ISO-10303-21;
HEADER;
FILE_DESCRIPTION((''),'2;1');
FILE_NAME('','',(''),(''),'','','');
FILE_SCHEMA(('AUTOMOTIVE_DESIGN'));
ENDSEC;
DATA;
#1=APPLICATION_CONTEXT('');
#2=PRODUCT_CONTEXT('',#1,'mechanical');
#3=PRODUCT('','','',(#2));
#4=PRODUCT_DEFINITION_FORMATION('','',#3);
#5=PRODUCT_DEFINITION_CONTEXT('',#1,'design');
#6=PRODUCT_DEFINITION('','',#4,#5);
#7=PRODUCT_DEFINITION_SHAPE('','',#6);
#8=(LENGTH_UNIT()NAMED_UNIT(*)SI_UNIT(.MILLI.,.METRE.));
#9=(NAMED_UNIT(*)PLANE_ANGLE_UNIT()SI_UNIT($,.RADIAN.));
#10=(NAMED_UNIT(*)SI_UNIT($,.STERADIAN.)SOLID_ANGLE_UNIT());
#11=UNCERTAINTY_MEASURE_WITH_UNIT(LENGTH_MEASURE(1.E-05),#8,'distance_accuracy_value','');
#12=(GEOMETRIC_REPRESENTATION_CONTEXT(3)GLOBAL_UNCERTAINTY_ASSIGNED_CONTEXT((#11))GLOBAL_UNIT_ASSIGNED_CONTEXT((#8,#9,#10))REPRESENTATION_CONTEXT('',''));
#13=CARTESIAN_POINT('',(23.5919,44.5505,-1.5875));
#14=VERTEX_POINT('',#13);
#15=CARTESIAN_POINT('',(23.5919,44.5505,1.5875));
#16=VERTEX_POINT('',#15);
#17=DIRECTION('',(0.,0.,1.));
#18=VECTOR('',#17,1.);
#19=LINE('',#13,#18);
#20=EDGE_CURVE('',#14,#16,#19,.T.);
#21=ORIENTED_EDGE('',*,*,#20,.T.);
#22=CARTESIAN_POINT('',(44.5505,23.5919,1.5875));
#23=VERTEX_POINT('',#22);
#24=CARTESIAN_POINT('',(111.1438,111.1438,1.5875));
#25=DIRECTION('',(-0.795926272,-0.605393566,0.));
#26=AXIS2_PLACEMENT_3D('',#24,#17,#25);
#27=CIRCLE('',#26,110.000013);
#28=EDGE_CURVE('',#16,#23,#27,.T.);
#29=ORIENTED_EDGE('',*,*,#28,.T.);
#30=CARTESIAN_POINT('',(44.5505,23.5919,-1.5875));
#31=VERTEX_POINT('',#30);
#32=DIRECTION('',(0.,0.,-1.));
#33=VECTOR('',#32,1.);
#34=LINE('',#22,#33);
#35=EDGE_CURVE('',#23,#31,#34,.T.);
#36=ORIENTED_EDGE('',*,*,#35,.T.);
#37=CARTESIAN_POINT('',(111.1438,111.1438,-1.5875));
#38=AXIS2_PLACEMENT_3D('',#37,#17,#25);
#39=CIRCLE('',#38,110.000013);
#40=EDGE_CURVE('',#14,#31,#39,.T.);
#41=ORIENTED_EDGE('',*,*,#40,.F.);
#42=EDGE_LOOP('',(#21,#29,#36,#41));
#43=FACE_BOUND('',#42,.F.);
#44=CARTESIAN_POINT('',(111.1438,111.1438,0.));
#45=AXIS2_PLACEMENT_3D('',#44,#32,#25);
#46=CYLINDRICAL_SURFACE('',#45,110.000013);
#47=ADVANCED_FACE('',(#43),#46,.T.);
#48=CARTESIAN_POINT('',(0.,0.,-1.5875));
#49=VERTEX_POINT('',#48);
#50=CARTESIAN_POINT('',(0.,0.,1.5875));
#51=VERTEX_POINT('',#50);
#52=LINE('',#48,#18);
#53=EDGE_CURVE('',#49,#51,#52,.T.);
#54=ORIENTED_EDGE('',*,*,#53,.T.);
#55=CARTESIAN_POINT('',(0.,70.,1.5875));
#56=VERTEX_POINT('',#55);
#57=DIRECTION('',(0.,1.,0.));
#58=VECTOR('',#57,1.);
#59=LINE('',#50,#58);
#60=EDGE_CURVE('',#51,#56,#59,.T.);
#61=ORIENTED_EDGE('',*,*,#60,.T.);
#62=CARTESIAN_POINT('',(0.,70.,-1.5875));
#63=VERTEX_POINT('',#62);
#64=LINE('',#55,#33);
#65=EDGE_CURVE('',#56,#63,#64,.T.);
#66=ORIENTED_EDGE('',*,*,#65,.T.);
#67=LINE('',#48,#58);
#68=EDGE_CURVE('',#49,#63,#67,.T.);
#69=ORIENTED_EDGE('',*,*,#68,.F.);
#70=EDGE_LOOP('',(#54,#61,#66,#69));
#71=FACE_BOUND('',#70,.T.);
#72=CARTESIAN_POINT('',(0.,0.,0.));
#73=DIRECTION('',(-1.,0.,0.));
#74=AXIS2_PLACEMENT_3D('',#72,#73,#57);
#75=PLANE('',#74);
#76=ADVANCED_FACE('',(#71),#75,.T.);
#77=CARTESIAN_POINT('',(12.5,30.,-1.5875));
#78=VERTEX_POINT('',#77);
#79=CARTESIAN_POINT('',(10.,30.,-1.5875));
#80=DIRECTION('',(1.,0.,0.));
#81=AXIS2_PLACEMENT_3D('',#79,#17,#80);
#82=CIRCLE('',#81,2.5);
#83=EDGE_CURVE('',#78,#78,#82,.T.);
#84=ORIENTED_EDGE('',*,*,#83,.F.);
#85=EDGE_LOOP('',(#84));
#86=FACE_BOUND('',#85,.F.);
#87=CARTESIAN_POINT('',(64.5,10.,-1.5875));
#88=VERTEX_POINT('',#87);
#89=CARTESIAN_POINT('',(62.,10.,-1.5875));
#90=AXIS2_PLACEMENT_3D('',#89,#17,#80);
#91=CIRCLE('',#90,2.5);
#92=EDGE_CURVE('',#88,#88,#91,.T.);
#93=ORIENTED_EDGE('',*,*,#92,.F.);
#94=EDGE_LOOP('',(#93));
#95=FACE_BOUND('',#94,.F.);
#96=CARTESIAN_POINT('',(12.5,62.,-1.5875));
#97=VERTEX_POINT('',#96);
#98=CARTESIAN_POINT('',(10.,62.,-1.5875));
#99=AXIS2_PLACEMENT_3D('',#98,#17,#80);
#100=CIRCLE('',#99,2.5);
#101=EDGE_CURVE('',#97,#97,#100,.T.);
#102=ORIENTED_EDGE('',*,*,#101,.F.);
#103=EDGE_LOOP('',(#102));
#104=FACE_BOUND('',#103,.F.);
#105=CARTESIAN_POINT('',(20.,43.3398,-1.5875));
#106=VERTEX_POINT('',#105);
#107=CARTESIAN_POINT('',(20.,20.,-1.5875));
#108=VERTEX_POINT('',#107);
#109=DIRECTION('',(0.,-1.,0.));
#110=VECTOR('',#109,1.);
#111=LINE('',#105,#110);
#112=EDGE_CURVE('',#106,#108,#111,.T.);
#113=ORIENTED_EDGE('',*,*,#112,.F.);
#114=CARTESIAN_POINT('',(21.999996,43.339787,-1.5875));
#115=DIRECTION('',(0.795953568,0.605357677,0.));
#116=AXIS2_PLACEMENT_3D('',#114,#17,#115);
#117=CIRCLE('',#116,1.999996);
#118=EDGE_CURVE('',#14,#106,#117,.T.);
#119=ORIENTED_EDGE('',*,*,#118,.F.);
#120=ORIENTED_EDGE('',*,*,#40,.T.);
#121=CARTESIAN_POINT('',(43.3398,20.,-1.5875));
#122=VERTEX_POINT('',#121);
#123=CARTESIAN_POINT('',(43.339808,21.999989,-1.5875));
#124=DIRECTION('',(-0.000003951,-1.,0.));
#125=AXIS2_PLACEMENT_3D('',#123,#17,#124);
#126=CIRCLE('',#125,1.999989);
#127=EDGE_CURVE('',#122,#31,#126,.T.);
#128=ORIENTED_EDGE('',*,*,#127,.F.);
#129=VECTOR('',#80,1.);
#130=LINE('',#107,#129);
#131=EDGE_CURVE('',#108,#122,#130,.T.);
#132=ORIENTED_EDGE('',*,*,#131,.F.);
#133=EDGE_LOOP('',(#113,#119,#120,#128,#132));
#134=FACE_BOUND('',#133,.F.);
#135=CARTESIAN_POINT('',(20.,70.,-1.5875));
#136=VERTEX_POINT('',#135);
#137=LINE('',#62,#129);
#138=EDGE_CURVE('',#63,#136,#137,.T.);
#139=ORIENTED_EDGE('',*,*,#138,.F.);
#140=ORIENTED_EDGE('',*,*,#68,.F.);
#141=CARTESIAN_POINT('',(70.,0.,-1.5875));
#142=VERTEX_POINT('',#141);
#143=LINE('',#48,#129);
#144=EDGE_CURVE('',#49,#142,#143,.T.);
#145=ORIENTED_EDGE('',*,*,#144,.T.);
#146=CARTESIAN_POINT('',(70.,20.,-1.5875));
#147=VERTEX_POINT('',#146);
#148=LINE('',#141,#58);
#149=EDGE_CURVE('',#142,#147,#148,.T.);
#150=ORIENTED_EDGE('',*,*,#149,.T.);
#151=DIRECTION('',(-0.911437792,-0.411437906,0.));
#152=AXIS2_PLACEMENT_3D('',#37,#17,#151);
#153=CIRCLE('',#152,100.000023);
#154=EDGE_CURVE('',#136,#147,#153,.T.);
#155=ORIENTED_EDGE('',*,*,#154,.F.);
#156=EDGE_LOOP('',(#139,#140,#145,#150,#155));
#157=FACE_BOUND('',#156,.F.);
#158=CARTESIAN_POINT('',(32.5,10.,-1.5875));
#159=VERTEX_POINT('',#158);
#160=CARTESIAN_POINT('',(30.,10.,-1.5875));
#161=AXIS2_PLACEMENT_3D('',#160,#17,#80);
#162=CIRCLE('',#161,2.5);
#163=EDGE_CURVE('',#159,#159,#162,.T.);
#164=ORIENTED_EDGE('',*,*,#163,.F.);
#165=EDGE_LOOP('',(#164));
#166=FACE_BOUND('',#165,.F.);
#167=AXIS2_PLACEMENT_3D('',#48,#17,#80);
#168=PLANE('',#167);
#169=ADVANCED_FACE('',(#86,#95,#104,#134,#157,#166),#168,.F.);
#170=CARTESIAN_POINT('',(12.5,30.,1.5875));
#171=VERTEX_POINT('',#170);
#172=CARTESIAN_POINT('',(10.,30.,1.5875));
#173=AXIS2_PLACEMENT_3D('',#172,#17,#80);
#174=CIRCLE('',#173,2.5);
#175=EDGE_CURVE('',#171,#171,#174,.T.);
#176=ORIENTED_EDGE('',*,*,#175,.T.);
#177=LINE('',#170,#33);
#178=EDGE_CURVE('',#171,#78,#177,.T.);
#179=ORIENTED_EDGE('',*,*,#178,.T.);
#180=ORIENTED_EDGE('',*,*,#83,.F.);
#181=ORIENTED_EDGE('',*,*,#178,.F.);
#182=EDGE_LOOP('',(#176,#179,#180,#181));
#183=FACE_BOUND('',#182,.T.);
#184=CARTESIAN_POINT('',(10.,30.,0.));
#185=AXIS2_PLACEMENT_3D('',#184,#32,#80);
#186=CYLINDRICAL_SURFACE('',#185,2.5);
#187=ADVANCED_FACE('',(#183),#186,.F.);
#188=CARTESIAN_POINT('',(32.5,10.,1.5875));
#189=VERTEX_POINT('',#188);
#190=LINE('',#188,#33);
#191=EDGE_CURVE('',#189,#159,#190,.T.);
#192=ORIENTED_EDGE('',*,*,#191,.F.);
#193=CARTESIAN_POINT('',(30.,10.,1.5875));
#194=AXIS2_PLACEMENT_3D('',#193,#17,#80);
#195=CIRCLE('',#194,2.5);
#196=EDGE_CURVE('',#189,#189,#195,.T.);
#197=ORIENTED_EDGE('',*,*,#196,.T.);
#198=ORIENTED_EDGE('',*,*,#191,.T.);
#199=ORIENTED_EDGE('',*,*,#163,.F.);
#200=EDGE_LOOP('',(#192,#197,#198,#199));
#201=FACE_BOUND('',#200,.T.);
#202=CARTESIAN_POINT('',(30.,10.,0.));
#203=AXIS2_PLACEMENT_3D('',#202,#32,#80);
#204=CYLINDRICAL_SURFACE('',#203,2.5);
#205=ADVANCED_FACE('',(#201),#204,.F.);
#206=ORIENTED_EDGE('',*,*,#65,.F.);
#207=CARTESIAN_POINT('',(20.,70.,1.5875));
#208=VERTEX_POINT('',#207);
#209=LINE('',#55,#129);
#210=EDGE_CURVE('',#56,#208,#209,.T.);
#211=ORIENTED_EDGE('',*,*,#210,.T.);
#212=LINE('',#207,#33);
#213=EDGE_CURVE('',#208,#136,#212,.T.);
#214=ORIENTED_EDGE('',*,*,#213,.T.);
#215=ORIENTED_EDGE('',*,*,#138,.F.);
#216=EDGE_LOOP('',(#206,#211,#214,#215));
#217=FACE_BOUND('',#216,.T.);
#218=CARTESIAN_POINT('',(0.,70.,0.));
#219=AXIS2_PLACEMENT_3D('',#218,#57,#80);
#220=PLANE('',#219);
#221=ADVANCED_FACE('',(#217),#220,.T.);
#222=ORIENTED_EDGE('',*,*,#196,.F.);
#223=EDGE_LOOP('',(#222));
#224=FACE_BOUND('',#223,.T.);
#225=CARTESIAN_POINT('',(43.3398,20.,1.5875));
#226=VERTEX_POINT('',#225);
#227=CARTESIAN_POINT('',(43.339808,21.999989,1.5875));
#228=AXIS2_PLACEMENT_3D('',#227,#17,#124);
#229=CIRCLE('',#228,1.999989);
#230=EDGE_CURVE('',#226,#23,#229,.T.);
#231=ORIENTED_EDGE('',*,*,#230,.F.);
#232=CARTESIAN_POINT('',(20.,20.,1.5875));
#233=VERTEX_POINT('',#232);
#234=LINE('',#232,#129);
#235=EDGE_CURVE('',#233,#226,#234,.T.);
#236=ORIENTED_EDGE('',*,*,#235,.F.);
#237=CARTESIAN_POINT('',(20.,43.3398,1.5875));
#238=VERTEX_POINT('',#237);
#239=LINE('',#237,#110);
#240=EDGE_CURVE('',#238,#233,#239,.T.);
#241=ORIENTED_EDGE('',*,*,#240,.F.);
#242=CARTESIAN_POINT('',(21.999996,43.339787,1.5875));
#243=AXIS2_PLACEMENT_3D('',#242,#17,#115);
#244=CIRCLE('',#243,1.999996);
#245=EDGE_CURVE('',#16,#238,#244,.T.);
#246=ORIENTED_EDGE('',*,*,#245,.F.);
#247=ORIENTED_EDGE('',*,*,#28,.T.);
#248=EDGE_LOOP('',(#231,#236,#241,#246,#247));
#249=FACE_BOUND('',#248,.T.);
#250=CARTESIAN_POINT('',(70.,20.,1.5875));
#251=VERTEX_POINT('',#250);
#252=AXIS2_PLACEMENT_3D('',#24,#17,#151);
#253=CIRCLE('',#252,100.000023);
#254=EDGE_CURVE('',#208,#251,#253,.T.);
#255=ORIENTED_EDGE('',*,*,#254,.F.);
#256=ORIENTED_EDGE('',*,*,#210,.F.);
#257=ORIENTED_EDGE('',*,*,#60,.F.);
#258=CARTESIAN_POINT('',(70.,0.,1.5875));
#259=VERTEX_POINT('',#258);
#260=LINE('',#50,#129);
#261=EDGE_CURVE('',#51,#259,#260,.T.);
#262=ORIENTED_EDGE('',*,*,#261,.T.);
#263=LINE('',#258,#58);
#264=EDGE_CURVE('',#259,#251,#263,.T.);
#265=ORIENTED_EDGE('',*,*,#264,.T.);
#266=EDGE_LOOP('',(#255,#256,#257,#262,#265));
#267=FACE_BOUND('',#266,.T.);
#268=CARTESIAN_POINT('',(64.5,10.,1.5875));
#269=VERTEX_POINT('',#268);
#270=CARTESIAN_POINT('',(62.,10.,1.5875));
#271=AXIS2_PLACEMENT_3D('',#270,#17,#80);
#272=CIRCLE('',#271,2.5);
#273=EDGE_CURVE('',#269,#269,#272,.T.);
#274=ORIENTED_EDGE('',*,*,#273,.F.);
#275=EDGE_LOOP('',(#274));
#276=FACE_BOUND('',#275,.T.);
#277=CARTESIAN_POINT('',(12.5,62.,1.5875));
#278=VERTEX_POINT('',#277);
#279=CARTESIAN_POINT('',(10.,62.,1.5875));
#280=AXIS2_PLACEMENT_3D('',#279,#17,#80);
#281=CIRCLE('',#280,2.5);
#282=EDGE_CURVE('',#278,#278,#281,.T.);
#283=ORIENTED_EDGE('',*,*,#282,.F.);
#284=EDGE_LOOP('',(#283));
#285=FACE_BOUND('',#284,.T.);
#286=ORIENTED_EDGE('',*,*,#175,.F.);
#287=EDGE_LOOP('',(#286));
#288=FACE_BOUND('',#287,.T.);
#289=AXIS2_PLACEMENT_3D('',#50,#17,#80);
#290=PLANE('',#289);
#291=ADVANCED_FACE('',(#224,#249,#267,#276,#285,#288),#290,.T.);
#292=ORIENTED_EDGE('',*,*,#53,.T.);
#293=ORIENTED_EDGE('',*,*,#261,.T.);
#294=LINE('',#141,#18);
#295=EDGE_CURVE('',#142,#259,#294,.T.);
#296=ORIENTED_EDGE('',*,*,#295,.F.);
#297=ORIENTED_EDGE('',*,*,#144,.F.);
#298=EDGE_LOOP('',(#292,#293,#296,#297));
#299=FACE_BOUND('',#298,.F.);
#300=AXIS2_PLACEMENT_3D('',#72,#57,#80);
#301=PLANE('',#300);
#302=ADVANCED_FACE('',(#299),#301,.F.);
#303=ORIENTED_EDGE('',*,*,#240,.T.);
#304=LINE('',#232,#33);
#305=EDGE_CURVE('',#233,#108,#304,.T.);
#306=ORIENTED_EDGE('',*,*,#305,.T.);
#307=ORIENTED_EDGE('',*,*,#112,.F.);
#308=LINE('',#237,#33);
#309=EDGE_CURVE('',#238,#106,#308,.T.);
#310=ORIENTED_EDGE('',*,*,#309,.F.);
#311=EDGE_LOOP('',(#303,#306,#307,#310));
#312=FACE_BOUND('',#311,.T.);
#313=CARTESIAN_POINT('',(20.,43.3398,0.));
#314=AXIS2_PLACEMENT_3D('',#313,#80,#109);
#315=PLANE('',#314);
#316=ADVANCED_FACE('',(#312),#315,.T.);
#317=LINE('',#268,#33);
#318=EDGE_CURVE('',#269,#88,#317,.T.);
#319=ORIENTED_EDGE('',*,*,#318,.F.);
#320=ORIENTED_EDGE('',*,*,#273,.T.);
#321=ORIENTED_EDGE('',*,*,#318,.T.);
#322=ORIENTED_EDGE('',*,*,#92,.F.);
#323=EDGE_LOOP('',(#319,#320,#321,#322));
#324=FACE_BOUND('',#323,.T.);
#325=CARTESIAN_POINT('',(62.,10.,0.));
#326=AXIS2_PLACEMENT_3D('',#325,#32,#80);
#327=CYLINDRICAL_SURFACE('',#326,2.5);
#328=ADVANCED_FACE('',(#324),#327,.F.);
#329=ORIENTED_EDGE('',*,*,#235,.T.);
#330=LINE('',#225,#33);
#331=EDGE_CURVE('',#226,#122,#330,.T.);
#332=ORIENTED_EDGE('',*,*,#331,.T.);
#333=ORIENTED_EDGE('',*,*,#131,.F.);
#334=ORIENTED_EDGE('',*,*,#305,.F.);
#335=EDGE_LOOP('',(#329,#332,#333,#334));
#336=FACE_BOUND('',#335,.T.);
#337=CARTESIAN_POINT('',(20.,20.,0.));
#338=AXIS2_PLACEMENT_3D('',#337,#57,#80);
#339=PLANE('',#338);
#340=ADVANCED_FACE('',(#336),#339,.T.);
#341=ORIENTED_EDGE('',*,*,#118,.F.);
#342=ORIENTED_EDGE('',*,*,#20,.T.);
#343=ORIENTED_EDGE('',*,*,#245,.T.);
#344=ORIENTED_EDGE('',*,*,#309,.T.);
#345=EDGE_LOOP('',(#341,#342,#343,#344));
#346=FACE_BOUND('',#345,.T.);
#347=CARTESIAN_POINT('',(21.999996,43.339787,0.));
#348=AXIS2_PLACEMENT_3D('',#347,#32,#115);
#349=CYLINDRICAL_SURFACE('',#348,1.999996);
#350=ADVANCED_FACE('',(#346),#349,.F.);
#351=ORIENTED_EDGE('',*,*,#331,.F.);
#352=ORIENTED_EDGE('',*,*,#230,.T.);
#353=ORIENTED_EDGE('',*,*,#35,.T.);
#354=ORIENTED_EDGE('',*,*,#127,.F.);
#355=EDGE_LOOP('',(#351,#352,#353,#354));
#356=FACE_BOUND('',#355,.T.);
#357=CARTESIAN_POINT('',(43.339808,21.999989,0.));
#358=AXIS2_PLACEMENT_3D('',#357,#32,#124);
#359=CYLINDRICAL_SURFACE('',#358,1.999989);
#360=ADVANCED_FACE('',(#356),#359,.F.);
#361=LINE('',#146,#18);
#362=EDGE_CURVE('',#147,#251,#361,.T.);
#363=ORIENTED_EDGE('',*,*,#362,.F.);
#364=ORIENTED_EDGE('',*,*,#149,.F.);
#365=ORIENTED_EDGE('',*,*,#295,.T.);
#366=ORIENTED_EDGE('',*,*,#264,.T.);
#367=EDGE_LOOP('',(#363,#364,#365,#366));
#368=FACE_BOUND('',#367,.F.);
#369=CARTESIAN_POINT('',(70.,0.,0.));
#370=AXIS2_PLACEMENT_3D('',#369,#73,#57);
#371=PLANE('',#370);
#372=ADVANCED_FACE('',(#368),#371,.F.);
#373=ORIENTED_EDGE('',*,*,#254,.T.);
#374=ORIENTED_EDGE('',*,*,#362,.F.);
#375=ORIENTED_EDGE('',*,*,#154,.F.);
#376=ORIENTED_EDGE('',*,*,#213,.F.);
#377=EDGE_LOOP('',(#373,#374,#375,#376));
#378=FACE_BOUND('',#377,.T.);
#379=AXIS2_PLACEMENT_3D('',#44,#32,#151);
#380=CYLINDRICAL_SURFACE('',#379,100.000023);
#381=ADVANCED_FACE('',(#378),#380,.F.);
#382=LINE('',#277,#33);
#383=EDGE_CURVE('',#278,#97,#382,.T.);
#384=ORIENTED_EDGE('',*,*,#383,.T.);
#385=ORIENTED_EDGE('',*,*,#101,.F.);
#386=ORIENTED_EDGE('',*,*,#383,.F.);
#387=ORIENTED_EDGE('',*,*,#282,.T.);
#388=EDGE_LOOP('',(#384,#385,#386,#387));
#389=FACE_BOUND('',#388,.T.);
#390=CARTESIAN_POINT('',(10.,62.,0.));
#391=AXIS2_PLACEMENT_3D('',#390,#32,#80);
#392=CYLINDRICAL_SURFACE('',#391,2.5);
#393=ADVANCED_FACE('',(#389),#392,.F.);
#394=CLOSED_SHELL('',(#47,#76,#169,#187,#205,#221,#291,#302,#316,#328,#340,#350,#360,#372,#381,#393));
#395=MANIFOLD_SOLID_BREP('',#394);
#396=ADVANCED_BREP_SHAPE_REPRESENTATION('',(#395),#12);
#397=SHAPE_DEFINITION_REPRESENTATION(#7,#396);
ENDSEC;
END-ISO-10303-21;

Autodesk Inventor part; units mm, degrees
ref_plane "YZ Plane" through (0, 0, 0) normal (1, 0, 0) x (0, 1, 0)
ref_plane "XZ Plane" through (0, 0, 0) normal (0, 1, 0) x (-1, 0, 0)
ref_plane "XY Plane" through (0, 0, 0) normal (0, 0, 1) x (1, 0, 0)
sketch "Sketch1" plane through (0, 0, 0) normal (0, 0, 1) x (1, 0, 0)
  line L0 (0, 0) -> (0, 70)
  line L1 (0, 70) -> (20, 70)
  line L2 (0, 0) -> (70, 0)
  line L3 (70, 0) -> (70, 20)
  arc A0 (20, 70) -> (70, 20) centre (111.1438, 111.1438) ccw
  arc A1 (23.5919, 44.5505) -> (44.5505, 23.5919) centre (111.1438, 111.1438) ccw
  line L4 (20, 43.3398) -> (20, 20)
  line L5 (20, 20) -> (43.3398, 20)
  arc A2 (23.5919, 44.5505) -> (20, 43.3398) centre (22, 43.3398) ccw
  arc A3 (43.3398, 20) -> (44.5505, 23.5919) centre (43.3398, 22) ccw
  line L6 (10, 62) -> (10, 30) construction
  line L7 (62, 10) -> (30, 10) construction
  circle A4 centre (10, 62) radius 2.5
  circle A5 centre (10, 30) radius 2.5
  circle A6 centre (30, 10) radius 2.5
  circle A7 centre (62, 10) radius 2.5
  point P0 (70, 10)
  point P1 (10, 70)
  dimension "d0" = 70
  dimension "d1" = 70
  dimension "d2" = 20
  dimension "d4" = 100
  dimension "d5" = 10
  dimension "d6" = 2
  dimension "d7" = 32
  dimension "d8" = 32
  dimension "d9" = 8
  dimension "d10" = 8
  dimension "d11" = 5
  dimension "d12" = 5
  dimension "d13" = 5
  dimension "d14" = 5
extrude "Extrusion1" add sketch "Sketch1" along normal mid plane 3.175
equation "\"d10\" = d9"
properties part number "Corner Bracket" material "Aluminum 6061"
